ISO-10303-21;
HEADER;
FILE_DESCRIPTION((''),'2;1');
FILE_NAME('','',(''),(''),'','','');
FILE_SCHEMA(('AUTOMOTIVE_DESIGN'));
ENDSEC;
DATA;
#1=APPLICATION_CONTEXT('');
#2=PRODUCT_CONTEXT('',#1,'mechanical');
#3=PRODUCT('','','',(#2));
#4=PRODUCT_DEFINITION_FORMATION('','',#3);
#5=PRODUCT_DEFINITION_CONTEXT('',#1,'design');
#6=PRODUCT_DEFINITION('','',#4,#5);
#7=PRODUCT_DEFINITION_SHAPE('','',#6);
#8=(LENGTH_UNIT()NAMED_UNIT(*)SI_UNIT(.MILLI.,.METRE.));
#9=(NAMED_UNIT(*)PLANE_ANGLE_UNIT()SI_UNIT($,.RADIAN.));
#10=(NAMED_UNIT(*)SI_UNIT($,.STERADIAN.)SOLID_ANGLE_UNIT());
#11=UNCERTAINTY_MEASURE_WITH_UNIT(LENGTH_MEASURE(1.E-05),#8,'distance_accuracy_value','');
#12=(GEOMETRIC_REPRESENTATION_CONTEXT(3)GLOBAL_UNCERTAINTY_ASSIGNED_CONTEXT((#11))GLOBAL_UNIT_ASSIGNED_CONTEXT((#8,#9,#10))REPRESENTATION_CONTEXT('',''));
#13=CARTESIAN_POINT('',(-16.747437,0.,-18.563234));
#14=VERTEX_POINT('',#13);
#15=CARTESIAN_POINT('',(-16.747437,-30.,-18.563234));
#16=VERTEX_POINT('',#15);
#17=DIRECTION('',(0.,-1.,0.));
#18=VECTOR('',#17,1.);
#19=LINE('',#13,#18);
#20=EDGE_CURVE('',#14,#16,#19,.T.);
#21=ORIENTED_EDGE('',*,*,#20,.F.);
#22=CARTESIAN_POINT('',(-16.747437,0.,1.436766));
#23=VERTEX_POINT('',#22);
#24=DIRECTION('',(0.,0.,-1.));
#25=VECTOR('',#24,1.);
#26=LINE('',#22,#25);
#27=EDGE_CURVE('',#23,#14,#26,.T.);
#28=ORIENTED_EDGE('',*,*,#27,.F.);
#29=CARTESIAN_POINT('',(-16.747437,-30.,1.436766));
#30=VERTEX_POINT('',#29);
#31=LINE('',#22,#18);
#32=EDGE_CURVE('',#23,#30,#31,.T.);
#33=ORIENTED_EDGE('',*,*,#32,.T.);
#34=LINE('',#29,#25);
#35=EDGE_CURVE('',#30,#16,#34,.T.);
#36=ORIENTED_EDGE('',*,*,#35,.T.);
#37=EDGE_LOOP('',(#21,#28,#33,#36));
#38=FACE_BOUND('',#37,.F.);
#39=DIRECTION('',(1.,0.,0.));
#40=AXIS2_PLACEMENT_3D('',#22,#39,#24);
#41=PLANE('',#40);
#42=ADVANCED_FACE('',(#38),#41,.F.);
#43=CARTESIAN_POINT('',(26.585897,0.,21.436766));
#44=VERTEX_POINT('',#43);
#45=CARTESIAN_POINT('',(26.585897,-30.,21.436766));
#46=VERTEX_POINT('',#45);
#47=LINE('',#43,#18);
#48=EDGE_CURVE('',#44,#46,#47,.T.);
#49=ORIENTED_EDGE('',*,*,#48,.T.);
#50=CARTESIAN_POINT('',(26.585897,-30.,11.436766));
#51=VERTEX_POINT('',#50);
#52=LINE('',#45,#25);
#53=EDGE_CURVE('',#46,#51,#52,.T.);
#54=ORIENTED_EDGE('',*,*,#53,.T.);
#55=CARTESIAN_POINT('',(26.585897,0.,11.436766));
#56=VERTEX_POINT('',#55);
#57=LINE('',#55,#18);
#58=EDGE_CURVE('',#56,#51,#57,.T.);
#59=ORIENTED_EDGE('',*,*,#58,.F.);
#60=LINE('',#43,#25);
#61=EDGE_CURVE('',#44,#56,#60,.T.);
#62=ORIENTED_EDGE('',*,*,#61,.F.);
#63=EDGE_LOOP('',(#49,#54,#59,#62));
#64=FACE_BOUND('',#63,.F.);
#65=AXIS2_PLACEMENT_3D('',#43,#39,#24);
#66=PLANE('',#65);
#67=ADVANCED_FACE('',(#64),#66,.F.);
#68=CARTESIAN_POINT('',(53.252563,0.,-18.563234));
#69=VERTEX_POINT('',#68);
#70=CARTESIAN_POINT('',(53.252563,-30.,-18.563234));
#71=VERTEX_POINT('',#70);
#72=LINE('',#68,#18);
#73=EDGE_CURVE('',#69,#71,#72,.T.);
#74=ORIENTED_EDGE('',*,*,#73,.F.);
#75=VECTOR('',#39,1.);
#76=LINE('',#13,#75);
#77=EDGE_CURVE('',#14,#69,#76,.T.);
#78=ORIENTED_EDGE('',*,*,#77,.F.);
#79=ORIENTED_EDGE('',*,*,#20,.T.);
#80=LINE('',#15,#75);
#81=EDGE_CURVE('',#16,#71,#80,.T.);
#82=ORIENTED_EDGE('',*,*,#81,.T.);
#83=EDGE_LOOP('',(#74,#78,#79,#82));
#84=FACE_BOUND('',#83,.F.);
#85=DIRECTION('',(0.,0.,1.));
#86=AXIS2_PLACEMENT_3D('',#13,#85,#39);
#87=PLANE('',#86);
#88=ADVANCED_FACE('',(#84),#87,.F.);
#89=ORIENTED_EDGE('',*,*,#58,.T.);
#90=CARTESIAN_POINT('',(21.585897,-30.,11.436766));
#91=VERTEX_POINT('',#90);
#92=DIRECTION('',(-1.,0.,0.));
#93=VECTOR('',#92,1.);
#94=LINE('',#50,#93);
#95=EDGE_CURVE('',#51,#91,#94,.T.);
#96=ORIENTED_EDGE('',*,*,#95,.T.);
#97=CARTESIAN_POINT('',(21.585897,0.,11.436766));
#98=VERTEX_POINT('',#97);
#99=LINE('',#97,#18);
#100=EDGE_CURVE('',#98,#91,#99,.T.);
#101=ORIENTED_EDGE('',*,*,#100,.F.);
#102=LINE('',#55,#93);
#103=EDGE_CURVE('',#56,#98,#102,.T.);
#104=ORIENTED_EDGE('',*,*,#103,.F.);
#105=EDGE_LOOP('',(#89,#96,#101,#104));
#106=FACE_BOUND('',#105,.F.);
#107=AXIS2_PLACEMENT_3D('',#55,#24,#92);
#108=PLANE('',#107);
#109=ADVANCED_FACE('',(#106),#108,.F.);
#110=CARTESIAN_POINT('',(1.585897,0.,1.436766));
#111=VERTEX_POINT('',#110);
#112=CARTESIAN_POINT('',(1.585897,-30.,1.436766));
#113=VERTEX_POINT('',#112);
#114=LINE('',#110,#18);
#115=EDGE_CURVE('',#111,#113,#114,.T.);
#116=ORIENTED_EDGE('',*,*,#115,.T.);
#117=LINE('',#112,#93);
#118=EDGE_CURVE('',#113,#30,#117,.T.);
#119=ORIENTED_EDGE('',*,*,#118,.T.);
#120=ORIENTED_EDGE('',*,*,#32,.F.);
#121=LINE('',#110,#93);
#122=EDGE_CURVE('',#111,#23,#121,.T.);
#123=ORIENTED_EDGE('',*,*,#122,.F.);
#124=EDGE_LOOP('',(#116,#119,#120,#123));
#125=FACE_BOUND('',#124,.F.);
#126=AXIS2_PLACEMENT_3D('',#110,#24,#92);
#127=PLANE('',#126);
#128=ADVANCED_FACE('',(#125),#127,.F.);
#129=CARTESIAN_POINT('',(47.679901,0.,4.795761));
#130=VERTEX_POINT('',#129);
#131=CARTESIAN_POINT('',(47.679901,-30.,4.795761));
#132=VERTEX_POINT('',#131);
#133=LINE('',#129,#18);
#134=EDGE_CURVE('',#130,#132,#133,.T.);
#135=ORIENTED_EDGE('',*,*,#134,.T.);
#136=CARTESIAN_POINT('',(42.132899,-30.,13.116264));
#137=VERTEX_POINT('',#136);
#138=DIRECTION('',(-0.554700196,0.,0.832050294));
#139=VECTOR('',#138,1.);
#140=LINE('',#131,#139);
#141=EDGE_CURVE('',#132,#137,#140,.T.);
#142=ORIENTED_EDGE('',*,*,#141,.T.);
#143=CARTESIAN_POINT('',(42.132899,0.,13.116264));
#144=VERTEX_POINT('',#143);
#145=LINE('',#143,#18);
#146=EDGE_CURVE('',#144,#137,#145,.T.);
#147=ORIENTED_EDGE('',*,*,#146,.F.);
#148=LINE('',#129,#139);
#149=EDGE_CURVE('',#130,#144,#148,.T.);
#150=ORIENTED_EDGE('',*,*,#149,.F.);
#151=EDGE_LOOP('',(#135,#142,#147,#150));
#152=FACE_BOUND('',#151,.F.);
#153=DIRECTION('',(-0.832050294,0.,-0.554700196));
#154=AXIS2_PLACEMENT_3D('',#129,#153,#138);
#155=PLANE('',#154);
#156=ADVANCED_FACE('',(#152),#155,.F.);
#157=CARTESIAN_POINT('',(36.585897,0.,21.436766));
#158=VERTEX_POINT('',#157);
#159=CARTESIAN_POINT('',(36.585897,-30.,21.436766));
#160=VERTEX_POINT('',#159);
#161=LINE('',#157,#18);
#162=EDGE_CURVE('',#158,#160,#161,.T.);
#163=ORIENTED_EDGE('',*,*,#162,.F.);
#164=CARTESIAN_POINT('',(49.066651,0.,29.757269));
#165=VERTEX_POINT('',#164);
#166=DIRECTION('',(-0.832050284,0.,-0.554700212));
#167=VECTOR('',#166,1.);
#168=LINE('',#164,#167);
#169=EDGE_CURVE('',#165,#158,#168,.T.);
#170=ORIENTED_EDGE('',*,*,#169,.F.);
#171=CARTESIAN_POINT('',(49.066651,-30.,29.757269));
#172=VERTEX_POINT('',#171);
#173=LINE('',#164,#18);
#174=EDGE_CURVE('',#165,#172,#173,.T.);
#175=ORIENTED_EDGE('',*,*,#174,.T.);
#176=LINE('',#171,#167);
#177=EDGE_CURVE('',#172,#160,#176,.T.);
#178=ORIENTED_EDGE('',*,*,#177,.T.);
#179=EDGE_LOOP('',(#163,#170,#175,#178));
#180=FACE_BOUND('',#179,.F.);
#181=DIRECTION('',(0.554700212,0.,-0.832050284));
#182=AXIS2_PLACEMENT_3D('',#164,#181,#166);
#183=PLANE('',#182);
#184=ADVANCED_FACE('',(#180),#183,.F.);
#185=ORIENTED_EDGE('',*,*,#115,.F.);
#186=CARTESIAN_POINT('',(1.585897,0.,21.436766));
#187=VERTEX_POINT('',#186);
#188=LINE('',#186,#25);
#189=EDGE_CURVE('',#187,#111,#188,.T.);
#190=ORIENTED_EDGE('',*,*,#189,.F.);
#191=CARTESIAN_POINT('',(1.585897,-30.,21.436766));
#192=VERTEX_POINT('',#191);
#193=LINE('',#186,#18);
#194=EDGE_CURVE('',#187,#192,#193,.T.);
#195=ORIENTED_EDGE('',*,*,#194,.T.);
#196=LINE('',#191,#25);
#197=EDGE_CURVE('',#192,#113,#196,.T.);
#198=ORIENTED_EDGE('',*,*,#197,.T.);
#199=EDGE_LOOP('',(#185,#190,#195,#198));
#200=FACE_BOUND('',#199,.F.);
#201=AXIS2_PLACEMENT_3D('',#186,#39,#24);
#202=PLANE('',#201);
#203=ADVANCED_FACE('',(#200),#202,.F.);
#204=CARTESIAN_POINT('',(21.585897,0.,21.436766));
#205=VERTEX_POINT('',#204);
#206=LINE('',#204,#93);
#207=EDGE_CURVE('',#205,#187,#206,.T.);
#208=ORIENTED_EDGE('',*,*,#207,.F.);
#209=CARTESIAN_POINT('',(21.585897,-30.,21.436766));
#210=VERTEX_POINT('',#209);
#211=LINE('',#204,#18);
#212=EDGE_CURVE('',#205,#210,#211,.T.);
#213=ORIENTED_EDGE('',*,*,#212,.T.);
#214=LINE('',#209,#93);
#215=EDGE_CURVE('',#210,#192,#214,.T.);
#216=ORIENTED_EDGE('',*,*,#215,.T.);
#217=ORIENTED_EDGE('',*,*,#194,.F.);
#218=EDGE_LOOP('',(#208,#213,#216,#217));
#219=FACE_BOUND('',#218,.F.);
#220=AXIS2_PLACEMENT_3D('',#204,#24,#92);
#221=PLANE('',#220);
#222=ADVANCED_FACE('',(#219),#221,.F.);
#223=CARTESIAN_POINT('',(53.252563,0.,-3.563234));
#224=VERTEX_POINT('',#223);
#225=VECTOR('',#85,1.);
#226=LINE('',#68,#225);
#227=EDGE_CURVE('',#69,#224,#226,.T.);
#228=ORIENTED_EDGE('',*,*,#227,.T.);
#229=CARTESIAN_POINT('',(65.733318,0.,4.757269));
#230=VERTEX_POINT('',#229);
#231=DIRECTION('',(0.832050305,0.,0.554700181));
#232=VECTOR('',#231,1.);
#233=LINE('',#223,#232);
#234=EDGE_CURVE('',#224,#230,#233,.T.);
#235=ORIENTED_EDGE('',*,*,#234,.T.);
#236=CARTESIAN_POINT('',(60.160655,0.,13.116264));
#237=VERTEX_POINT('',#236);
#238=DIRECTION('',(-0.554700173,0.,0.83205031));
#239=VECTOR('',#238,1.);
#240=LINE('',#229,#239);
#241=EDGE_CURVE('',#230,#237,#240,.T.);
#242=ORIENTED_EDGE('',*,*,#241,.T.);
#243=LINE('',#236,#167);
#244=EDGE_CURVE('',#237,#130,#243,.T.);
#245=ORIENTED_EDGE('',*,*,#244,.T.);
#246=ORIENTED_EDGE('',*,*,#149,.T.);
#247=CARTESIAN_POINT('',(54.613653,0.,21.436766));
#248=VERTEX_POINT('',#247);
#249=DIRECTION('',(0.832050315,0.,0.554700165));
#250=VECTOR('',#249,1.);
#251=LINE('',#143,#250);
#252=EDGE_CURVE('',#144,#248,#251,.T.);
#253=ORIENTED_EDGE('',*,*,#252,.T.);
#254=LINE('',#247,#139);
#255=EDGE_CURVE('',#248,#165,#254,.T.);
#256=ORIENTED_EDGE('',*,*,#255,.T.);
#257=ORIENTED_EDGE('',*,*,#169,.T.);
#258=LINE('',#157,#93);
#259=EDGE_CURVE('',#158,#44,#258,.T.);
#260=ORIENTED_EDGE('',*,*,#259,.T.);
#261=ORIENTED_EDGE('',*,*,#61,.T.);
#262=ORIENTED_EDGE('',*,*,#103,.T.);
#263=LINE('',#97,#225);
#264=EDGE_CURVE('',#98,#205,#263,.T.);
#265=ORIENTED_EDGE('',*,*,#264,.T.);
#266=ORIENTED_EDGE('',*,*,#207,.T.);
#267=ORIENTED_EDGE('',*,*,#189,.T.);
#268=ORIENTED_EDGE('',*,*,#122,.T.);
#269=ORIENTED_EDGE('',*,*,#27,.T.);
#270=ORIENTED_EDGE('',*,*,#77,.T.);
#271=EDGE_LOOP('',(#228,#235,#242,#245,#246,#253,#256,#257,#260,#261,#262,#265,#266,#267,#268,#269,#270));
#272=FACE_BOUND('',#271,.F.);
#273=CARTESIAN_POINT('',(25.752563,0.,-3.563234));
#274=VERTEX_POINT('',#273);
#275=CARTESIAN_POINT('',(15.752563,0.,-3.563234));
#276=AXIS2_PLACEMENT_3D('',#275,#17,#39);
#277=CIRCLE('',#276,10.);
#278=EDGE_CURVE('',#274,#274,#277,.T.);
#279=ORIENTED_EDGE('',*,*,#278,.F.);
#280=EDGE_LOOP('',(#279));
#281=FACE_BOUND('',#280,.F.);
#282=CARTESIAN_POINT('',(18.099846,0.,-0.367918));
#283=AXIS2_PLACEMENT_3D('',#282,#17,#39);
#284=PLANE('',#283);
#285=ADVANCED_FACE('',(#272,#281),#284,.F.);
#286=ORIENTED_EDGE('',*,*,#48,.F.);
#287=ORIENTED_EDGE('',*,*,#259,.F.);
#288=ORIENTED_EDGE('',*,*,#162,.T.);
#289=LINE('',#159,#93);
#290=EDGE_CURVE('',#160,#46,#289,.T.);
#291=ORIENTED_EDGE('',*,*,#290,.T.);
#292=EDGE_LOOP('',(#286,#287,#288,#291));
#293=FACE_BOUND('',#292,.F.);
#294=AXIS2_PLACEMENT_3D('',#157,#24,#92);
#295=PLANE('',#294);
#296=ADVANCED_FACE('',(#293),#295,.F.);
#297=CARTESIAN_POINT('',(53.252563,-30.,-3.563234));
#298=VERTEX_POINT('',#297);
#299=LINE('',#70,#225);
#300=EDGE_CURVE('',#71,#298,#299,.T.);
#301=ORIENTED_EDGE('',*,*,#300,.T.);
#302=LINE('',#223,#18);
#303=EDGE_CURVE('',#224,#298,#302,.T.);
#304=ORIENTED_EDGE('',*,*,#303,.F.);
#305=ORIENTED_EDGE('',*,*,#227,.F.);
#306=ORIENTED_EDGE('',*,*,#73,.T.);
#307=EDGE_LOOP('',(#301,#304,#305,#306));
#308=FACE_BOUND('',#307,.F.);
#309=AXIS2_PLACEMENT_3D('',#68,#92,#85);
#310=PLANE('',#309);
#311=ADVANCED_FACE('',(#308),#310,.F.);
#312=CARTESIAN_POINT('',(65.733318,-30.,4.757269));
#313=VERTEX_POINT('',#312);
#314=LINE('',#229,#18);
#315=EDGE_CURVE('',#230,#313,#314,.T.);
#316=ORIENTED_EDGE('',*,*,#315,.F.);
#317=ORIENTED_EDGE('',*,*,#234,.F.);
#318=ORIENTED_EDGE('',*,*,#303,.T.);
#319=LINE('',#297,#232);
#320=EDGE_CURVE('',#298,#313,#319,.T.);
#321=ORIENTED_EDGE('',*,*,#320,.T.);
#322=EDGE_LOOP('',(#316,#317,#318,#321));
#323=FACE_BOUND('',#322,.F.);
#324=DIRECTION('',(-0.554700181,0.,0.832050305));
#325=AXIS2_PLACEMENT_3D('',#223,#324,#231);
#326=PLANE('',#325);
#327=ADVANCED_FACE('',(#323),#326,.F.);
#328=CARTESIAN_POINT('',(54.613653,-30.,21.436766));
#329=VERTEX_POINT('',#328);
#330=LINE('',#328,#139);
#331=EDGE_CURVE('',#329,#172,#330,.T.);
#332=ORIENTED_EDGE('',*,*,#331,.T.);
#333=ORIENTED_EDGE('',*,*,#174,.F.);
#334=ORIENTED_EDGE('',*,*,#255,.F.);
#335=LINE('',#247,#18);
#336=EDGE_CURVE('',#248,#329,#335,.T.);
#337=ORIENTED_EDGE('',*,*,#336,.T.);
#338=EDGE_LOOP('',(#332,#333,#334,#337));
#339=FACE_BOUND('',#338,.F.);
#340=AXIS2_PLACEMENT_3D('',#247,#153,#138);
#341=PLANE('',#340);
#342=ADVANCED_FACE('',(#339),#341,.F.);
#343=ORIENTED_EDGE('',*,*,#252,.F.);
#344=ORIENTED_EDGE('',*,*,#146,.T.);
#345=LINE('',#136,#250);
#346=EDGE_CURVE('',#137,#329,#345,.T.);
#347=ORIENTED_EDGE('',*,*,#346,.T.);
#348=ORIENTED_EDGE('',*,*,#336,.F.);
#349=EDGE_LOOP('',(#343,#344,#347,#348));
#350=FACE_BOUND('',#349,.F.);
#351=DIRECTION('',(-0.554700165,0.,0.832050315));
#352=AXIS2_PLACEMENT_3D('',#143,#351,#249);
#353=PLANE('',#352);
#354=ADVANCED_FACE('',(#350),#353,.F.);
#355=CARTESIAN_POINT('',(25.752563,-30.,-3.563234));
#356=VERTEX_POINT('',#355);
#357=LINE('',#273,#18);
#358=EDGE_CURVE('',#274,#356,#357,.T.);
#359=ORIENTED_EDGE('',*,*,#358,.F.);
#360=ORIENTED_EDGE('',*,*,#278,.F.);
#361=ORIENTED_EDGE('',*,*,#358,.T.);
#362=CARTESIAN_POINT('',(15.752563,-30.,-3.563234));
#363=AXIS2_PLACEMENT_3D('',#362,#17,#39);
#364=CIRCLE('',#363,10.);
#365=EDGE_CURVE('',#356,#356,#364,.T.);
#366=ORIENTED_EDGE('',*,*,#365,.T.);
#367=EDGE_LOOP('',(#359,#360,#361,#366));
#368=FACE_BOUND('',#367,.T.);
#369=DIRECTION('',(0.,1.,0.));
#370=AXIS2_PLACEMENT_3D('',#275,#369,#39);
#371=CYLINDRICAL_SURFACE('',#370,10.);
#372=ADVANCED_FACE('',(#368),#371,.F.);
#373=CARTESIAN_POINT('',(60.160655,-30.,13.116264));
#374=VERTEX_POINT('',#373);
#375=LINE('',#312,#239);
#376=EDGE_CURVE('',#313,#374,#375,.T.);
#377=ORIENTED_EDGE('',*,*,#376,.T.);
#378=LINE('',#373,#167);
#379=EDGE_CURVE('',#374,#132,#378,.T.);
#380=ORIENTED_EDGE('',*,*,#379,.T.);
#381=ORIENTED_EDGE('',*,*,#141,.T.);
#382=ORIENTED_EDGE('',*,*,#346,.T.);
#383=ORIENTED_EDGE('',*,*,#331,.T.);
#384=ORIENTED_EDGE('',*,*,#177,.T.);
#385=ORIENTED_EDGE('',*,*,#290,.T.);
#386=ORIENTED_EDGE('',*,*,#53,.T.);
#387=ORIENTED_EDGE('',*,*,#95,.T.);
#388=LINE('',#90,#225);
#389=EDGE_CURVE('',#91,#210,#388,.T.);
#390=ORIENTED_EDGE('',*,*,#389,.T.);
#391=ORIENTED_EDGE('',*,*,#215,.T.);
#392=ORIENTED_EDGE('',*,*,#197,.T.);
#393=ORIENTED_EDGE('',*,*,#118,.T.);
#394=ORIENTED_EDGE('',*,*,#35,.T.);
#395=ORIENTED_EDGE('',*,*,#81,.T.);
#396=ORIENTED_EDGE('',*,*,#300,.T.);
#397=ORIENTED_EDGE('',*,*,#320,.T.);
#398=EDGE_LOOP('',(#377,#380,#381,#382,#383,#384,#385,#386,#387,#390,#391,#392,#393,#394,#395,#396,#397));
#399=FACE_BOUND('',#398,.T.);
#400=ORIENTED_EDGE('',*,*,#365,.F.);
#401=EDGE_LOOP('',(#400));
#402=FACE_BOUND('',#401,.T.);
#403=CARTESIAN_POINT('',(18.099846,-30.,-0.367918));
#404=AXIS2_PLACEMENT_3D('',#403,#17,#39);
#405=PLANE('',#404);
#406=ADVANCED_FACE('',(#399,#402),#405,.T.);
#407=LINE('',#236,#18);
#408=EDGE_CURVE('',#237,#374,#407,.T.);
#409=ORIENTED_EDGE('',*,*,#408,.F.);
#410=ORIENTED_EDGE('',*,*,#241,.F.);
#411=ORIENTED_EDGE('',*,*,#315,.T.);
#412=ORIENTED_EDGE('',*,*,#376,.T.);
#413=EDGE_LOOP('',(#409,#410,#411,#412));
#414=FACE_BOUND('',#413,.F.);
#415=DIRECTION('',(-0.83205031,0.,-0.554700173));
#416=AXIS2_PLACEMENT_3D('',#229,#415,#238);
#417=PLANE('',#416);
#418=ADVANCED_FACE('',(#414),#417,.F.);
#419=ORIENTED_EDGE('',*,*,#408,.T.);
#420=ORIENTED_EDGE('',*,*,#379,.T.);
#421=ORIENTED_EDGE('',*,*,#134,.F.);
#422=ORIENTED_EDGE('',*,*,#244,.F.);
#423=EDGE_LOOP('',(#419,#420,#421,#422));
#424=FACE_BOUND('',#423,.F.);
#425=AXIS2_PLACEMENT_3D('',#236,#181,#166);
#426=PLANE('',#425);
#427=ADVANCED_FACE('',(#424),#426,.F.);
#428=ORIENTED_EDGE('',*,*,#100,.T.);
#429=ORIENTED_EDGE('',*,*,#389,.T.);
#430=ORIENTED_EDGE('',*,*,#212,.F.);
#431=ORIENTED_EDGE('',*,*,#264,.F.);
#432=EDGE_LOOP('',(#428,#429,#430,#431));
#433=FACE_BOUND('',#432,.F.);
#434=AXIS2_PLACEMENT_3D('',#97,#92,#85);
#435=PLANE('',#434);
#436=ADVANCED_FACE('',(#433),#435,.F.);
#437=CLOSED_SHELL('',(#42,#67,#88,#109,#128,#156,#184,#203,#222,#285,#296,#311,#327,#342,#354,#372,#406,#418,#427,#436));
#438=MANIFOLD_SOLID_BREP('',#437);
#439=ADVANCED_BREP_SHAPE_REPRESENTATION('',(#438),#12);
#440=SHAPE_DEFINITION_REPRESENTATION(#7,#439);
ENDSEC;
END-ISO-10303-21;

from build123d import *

# Parameters (mm, degrees)
F0_R     = 10
F1_DEPTH = 30


with BuildPart() as f1:
    # F0 (on Front) → F1 (new body)
    with BuildSketch(Plane.XZ):
        Polygon((21.585897, 21.436766), (1.585897, 21.436766), (1.585897, 1.436766), (-16.747437, 1.436766), (-16.747437, -18.563234), (53.252563, -18.563234), (53.252563, -3.563234), (47.679901, 4.795761), (42.132899, 13.116264), (36.585897, 21.436766), (26.585897, 21.436766), (26.585897, 11.436766), (21.585897, 11.436766), align=None)
        with Locations((15.752563, -3.563234)):
            Circle(F0_R, mode=Mode.SUBTRACT)
        Polygon((49.066651, 29.757269), (36.585897, 21.436766), (42.132899, 13.116264), (54.613653, 21.436766), align=None)
        Polygon((47.679901, 4.795761), (53.252563, -3.563234), (65.733318, 4.757269), (60.160655, 13.116264), align=None)
    extrude(amount=F1_DEPTH)


solid = f1.part
